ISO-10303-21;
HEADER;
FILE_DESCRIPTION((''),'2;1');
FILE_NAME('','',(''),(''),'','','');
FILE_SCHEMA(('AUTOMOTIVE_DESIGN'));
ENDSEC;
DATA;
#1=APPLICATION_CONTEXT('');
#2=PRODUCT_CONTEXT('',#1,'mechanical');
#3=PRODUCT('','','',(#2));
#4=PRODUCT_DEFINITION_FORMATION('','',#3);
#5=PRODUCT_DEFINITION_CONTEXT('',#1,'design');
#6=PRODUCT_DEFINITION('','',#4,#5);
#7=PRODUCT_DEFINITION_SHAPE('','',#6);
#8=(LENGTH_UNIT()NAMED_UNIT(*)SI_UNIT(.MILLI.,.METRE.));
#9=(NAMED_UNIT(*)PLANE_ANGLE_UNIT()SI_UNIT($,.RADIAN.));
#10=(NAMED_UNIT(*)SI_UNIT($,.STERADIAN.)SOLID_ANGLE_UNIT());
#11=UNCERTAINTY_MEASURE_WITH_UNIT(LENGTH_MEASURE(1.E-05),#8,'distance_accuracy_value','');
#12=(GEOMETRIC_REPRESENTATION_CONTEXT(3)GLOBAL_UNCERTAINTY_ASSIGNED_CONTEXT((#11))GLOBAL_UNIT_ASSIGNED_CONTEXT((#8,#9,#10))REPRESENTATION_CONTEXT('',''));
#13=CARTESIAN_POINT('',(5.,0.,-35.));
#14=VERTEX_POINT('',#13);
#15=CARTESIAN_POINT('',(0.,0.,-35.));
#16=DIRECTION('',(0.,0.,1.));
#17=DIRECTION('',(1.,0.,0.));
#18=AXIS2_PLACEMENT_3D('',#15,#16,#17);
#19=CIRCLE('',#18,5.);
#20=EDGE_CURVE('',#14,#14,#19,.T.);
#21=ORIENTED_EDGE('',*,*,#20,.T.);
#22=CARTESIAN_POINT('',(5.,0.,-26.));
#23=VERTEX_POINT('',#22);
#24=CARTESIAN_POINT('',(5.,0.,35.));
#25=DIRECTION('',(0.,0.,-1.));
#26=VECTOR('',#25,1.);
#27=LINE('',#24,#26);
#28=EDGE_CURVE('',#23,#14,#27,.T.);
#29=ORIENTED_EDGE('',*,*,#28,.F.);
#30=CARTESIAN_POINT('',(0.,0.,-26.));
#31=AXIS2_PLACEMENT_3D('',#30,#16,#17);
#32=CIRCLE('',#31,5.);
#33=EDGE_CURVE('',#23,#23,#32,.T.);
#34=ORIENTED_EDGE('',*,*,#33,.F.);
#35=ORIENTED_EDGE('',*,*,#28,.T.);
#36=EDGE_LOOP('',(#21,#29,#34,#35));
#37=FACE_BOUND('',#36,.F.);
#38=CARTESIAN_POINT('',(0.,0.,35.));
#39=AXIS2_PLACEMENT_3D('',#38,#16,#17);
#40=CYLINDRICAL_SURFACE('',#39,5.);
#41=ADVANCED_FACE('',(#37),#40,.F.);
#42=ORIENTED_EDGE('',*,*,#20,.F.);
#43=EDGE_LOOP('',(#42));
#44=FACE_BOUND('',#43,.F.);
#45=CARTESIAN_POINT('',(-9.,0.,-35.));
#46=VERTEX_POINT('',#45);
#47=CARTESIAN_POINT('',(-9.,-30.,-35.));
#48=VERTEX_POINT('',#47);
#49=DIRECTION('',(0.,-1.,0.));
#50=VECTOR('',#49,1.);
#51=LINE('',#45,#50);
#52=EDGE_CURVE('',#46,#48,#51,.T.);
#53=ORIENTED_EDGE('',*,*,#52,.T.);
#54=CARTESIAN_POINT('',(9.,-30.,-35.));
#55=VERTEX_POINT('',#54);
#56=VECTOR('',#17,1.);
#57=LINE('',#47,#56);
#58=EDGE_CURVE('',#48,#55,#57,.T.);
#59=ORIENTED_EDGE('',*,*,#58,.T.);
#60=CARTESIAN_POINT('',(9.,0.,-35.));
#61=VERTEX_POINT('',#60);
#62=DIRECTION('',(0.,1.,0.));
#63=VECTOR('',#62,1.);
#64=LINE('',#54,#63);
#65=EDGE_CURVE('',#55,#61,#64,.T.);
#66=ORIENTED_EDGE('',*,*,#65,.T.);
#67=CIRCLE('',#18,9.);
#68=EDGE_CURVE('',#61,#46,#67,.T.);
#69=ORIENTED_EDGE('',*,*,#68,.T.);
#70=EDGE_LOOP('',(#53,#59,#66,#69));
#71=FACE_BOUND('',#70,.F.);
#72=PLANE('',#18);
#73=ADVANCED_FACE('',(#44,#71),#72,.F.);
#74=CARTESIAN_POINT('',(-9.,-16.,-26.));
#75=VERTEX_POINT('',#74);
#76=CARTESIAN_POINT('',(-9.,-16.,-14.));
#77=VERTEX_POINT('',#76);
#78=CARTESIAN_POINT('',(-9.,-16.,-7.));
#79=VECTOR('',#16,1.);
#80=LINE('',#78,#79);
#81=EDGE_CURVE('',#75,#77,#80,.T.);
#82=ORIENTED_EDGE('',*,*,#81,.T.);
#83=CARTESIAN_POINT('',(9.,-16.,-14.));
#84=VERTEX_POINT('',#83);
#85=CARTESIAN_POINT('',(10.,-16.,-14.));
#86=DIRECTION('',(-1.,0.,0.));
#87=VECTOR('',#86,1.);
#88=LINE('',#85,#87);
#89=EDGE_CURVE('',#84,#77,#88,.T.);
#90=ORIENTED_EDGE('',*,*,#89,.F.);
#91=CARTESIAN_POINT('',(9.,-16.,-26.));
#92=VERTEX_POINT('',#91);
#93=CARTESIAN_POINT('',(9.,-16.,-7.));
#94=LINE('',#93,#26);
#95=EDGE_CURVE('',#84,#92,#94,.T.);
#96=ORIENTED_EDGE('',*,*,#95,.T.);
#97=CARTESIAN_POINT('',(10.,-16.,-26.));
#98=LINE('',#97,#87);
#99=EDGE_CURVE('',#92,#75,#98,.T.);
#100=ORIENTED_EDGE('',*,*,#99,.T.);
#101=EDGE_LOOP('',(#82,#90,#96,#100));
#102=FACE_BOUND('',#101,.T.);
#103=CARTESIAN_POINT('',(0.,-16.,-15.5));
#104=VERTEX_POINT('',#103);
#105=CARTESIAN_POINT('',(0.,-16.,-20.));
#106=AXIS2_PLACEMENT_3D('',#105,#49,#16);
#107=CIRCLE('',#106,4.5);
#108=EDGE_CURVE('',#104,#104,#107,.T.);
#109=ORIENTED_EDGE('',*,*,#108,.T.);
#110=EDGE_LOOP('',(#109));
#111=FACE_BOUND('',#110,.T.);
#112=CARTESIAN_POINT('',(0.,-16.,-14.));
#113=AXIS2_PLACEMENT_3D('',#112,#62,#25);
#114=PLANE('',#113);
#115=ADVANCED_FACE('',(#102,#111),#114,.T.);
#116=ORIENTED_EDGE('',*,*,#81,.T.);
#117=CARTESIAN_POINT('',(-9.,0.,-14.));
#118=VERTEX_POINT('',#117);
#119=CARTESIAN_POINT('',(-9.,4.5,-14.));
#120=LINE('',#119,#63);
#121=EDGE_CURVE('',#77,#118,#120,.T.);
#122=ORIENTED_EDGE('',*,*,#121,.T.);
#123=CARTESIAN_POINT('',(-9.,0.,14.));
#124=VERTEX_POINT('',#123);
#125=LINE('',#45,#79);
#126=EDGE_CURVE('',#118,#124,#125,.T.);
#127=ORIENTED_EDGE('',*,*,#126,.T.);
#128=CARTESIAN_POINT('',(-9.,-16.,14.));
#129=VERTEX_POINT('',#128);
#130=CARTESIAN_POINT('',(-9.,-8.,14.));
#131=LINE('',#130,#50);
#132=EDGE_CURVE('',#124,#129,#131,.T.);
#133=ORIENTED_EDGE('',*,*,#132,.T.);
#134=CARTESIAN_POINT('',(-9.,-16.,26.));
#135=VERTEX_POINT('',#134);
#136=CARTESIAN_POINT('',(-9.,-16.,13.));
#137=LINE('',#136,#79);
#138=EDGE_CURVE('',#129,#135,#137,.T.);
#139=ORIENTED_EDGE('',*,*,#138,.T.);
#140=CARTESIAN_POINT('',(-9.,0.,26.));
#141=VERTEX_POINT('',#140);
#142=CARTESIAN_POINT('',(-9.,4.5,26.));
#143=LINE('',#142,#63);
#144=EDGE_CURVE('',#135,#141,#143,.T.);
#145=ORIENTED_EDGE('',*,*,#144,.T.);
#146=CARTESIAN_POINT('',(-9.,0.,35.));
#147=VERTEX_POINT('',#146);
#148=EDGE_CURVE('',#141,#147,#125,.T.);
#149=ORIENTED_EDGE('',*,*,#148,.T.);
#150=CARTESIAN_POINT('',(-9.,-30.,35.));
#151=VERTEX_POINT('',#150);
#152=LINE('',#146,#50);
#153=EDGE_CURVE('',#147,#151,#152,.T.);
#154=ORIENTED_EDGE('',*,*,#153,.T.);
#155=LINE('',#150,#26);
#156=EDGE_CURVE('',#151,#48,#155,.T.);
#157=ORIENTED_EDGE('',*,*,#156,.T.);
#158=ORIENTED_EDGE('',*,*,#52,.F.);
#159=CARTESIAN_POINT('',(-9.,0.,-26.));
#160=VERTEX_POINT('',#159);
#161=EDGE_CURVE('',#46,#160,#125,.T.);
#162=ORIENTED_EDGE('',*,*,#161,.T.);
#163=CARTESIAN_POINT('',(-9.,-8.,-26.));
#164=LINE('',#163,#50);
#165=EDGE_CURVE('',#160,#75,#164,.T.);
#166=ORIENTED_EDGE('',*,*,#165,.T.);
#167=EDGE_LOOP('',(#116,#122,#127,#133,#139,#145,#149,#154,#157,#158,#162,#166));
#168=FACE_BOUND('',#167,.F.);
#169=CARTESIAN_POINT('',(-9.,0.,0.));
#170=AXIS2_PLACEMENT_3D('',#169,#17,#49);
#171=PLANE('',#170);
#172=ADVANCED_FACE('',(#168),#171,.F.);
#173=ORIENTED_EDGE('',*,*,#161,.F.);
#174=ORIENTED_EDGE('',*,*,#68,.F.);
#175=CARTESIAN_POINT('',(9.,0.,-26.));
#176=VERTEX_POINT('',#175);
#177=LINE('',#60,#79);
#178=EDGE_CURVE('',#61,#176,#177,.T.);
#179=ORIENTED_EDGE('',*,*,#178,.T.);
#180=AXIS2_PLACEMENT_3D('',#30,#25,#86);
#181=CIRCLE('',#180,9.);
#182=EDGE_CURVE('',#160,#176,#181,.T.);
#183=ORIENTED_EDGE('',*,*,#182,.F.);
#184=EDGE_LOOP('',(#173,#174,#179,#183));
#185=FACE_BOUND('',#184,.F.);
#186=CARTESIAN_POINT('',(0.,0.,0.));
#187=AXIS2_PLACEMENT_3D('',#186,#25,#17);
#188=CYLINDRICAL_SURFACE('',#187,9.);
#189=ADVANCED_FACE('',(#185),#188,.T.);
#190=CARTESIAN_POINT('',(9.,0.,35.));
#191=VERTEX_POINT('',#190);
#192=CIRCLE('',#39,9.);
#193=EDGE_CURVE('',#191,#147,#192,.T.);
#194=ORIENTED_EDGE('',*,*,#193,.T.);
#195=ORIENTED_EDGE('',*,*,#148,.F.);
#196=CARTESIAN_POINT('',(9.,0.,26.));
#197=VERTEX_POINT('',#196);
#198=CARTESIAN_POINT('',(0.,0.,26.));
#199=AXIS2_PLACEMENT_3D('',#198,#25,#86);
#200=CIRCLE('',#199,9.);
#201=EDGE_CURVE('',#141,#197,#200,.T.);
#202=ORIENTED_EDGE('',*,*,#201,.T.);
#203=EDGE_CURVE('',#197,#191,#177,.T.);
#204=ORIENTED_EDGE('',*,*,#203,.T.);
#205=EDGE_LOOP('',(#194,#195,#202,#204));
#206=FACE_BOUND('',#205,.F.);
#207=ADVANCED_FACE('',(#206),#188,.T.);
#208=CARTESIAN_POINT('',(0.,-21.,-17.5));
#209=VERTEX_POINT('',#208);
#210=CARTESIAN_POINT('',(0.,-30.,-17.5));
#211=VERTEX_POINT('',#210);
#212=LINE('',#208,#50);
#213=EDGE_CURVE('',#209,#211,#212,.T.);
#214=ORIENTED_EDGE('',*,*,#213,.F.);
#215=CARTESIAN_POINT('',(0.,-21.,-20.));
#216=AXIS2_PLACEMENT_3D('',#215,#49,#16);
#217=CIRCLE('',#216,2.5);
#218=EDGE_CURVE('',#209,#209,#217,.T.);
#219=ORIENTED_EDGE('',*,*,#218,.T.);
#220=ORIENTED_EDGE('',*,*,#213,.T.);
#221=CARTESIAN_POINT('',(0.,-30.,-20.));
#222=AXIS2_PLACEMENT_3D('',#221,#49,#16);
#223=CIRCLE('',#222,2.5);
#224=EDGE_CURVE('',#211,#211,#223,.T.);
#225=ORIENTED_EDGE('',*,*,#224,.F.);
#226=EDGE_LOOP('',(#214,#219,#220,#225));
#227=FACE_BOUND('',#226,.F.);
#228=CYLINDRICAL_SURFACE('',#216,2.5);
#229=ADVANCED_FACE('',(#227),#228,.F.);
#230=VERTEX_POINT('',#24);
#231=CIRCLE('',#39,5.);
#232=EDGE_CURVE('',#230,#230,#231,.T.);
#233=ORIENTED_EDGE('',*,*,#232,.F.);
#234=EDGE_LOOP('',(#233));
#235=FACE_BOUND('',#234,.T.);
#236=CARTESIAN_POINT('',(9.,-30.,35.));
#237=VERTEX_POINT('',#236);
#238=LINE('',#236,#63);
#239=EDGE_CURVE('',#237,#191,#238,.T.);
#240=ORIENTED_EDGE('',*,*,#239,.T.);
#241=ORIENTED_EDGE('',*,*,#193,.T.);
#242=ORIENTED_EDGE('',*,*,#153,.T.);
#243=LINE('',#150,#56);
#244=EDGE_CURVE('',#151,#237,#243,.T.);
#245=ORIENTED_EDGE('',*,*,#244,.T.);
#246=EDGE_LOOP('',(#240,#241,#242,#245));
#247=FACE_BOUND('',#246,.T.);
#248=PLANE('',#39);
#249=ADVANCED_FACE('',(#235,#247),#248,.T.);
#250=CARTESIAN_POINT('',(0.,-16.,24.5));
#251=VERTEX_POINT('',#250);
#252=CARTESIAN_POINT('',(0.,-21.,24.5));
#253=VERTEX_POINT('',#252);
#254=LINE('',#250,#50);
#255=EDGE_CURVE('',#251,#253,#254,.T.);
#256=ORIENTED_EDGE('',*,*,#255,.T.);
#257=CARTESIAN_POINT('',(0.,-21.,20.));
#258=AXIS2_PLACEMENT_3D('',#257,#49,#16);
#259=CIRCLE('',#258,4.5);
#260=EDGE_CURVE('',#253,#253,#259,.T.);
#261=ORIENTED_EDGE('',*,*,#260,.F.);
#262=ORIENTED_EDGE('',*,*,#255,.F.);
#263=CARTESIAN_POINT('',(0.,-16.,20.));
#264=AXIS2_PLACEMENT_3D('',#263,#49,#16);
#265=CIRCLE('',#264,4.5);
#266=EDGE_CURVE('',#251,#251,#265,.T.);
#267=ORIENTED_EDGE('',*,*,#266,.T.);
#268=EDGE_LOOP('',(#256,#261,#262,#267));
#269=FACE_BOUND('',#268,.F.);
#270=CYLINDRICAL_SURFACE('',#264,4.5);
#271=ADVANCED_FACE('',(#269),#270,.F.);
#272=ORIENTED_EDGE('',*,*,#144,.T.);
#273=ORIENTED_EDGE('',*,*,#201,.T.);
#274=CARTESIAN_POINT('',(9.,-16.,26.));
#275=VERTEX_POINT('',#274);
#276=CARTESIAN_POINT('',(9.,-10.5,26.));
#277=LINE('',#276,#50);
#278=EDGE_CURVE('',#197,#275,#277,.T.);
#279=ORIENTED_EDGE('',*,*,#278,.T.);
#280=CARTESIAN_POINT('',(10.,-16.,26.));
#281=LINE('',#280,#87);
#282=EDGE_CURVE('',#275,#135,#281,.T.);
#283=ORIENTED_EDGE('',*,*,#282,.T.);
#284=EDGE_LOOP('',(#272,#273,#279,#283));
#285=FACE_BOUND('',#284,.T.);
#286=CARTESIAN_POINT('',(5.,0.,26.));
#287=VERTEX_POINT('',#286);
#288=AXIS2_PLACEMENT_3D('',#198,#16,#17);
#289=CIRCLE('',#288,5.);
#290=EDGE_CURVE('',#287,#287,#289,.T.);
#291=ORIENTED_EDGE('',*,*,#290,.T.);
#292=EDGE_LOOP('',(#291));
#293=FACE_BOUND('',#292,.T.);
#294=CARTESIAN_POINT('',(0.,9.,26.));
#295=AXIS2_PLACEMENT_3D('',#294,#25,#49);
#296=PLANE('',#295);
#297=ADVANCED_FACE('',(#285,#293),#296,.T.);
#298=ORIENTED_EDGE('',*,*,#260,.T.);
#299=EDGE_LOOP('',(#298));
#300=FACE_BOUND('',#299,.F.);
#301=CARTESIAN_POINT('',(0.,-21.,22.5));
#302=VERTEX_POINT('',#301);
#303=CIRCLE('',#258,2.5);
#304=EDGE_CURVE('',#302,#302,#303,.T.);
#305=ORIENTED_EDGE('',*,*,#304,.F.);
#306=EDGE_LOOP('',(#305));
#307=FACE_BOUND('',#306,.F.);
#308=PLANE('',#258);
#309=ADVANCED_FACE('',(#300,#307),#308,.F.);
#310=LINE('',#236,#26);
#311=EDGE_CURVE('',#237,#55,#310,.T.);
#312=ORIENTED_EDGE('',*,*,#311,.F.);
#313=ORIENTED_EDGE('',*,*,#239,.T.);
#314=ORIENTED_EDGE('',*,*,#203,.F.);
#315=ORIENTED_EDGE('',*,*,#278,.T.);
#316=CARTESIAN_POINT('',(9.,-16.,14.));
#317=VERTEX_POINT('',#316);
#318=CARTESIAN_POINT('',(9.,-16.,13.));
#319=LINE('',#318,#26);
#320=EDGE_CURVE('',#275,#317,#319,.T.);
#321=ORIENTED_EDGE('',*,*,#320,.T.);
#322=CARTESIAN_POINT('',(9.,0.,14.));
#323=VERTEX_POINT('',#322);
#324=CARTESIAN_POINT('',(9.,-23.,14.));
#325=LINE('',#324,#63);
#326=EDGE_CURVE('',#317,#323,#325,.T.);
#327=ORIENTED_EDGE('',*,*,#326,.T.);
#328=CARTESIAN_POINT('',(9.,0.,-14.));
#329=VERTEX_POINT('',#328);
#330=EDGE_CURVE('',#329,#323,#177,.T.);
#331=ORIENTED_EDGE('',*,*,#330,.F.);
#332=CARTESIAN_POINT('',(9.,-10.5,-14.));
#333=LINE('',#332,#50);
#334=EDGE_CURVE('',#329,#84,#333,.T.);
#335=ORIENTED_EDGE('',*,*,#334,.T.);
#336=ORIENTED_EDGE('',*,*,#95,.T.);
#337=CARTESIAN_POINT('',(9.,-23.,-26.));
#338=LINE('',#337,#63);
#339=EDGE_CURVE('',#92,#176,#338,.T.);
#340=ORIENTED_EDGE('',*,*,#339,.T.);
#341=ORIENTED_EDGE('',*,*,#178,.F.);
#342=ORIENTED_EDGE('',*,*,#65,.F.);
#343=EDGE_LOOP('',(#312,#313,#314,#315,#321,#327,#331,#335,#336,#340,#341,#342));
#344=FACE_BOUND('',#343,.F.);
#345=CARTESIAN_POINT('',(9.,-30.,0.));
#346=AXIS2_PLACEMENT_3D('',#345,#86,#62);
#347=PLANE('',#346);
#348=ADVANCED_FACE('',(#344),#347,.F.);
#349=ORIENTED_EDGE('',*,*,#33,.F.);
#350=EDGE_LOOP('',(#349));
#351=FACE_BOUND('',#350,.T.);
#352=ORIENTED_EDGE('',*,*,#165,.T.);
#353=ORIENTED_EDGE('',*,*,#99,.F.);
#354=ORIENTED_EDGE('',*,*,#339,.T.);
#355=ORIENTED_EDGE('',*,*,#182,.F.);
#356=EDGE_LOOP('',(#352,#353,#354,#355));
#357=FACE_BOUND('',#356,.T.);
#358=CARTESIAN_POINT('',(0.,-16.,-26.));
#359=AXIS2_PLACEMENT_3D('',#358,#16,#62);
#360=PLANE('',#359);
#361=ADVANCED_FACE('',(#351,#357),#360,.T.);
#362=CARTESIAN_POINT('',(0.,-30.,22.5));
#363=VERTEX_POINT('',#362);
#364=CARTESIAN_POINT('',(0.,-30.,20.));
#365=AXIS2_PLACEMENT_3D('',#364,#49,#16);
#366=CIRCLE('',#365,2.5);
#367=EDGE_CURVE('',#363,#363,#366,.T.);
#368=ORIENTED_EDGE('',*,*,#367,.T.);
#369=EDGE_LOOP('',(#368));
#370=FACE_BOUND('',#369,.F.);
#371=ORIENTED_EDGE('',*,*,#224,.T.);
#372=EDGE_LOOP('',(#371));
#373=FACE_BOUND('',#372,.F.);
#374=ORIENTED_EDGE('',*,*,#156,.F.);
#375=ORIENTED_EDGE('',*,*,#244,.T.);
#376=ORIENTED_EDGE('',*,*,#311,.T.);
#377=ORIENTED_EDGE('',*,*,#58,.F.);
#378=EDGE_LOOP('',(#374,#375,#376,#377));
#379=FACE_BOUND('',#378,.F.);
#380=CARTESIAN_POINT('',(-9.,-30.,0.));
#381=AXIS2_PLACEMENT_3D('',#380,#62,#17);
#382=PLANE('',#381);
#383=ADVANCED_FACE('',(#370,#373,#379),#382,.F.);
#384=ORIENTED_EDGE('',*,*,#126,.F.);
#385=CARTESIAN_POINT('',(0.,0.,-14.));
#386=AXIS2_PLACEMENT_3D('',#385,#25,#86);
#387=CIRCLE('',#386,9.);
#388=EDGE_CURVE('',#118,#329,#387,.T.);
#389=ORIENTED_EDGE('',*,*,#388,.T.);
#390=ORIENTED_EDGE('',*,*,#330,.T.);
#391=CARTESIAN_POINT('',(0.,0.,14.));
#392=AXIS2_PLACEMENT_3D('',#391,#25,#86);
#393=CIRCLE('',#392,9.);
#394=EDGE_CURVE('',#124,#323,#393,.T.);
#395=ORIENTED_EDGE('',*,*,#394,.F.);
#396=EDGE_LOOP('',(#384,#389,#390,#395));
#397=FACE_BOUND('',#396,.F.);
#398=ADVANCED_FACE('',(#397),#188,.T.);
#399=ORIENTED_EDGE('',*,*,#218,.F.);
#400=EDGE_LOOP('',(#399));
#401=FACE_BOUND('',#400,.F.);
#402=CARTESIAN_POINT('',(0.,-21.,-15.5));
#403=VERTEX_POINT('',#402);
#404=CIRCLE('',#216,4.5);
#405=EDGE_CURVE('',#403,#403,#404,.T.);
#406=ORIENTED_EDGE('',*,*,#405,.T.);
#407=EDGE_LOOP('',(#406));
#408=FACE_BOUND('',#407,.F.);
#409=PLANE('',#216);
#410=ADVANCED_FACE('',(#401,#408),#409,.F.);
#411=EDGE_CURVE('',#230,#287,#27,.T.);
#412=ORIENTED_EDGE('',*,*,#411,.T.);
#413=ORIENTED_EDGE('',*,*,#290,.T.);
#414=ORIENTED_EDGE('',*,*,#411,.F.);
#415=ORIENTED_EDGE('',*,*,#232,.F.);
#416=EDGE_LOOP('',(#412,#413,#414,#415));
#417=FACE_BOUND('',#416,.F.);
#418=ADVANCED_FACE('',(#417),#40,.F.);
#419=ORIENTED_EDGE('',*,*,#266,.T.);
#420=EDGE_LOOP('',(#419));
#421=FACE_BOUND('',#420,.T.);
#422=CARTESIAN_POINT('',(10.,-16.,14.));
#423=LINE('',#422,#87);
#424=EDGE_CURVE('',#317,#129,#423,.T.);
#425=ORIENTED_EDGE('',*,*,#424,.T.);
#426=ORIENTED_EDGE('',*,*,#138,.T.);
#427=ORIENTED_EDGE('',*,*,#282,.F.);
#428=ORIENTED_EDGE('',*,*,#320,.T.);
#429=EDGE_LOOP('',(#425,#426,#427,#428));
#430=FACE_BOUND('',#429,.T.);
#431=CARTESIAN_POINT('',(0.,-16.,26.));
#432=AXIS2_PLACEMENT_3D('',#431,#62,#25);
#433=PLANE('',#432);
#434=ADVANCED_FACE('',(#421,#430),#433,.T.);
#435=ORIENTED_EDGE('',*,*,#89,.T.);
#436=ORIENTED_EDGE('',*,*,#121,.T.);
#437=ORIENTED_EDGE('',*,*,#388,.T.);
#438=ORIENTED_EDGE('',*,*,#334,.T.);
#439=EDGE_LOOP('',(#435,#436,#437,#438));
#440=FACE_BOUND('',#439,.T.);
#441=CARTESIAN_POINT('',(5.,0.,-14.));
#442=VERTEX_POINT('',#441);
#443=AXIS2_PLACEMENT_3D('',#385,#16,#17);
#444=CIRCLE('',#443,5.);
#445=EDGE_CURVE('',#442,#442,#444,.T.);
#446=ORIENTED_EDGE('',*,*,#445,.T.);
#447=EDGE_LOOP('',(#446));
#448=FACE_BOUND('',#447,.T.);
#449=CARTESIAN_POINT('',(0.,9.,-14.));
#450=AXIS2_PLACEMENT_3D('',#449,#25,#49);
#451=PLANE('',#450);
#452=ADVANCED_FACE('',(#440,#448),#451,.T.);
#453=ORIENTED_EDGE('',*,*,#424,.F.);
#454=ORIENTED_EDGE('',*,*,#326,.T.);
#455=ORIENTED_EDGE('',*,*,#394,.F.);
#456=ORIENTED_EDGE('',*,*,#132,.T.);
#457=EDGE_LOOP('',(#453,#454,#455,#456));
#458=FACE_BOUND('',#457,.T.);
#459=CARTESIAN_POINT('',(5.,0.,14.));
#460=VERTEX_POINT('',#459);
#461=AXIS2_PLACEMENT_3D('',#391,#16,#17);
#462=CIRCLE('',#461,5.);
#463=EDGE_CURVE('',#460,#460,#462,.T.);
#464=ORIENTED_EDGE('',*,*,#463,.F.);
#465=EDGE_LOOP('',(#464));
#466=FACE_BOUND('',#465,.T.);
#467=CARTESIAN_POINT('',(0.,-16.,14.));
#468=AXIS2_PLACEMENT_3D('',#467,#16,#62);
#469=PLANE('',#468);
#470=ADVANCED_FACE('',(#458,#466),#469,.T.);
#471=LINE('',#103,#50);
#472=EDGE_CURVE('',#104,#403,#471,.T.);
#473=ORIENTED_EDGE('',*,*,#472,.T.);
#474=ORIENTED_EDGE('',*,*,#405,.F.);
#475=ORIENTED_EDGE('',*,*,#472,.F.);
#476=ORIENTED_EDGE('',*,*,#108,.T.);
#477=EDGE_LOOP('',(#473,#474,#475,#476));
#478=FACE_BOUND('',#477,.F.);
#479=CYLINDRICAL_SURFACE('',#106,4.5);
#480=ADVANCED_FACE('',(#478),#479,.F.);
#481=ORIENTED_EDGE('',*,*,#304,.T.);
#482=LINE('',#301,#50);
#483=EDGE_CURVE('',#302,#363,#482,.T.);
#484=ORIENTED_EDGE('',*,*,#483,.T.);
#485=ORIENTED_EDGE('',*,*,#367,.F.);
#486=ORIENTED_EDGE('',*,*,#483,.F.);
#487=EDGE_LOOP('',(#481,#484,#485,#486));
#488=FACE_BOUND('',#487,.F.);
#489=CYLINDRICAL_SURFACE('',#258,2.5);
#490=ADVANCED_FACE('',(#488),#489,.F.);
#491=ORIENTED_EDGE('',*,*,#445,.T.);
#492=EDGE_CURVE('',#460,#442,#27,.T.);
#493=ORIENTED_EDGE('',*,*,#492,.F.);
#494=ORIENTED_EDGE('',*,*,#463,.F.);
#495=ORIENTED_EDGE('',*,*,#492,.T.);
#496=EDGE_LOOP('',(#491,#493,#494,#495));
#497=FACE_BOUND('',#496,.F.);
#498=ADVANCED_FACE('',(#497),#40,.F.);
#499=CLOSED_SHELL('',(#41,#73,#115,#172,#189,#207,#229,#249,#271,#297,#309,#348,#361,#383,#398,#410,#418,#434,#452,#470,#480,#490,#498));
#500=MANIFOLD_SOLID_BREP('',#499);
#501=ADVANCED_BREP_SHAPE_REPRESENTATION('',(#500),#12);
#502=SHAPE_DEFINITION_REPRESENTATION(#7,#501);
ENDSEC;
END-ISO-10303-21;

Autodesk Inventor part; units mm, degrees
ref_plane "YZ Plane" through (0, 0, 0) normal (1, 0, 0) x (0, 1, 0)
ref_plane "XZ Plane" through (0, 0, 0) normal (0, 1, 0) x (-1, 0, 0)
ref_plane "XY Plane" through (0, 0, 0) normal (0, 0, 1) x (1, 0, 0)
sketch "Esboço1" plane through (0, 0, 0) normal (0, 0, 1) x (1, 0, 0)
  arc A0 (9, 0) -> (-9, 0) centre (0, 0) ccw
  line L0 (-9, 0) -> (-9, -30)
  line L1 (-9, -30) -> (9, -30)
  line L2 (9, -30) -> (9, 0)
  dimension "d1" = 9
  dimension "d2" = 30
extrude "Extrusão1" add sketch "Esboço1" along normal mid plane 70
sketch "Esboço2" plane through (0, 0, 0) normal (1, 0, 0) x (0, 1, 0)
  line L0 (9, -35) -> (9, 35) projected
  line L1 (9, 26) -> (-16, 26)
  line L2 (-16, 26) -> (-16, 14)
  line L3 (-16, 14) -> (9, 14)
  line L4 (9, 14) -> (9, 26)
  line L5 (9, -14) -> (-16, -14)
  line L6 (-16, -14) -> (-16, -26)
  line L7 (-16, -26) -> (9, -26)
  line L8 (9, -26) -> (9, -14)
  line L9 (-30, -35) -> (-30, 35) projected
  point P0 (0, 0)
  point P1 (-16, -20)
  point P2 (-16, 20)
  dimension "d5" = 12
  dimension "d6" = 14
  dimension "d7" = 14
  dimension "d8" = 14
  dimension "d9" = 12
extrude "Extrusão2" cut sketch "Esboço2" along normal mid plane 20
sketch "Esboço3" plane through (0, 0, 35) normal (0, 0, 1) x (1, 0, 0)
  circle A0 centre (0, 0) radius 5
  dimension "d12" = 10
extrude "Extrusão3" cut sketch "Esboço3" against normal through all
sketch "Esboço4" plane through (-9, -16, 26) normal (0, 1, 0) x (1, 0, 0)
  point P0 (9, 26)
  point P1 (9, 6)
  point P2 (9, 46)
  dimension "d15" = 20
  dimension "d16" = 20
hole "Furo1" at (0, -16, 20) at (0, -16, -20) direction (0, -1, 0) diameter 5 end through all counterbore diameter 9 counterbore depth 5
